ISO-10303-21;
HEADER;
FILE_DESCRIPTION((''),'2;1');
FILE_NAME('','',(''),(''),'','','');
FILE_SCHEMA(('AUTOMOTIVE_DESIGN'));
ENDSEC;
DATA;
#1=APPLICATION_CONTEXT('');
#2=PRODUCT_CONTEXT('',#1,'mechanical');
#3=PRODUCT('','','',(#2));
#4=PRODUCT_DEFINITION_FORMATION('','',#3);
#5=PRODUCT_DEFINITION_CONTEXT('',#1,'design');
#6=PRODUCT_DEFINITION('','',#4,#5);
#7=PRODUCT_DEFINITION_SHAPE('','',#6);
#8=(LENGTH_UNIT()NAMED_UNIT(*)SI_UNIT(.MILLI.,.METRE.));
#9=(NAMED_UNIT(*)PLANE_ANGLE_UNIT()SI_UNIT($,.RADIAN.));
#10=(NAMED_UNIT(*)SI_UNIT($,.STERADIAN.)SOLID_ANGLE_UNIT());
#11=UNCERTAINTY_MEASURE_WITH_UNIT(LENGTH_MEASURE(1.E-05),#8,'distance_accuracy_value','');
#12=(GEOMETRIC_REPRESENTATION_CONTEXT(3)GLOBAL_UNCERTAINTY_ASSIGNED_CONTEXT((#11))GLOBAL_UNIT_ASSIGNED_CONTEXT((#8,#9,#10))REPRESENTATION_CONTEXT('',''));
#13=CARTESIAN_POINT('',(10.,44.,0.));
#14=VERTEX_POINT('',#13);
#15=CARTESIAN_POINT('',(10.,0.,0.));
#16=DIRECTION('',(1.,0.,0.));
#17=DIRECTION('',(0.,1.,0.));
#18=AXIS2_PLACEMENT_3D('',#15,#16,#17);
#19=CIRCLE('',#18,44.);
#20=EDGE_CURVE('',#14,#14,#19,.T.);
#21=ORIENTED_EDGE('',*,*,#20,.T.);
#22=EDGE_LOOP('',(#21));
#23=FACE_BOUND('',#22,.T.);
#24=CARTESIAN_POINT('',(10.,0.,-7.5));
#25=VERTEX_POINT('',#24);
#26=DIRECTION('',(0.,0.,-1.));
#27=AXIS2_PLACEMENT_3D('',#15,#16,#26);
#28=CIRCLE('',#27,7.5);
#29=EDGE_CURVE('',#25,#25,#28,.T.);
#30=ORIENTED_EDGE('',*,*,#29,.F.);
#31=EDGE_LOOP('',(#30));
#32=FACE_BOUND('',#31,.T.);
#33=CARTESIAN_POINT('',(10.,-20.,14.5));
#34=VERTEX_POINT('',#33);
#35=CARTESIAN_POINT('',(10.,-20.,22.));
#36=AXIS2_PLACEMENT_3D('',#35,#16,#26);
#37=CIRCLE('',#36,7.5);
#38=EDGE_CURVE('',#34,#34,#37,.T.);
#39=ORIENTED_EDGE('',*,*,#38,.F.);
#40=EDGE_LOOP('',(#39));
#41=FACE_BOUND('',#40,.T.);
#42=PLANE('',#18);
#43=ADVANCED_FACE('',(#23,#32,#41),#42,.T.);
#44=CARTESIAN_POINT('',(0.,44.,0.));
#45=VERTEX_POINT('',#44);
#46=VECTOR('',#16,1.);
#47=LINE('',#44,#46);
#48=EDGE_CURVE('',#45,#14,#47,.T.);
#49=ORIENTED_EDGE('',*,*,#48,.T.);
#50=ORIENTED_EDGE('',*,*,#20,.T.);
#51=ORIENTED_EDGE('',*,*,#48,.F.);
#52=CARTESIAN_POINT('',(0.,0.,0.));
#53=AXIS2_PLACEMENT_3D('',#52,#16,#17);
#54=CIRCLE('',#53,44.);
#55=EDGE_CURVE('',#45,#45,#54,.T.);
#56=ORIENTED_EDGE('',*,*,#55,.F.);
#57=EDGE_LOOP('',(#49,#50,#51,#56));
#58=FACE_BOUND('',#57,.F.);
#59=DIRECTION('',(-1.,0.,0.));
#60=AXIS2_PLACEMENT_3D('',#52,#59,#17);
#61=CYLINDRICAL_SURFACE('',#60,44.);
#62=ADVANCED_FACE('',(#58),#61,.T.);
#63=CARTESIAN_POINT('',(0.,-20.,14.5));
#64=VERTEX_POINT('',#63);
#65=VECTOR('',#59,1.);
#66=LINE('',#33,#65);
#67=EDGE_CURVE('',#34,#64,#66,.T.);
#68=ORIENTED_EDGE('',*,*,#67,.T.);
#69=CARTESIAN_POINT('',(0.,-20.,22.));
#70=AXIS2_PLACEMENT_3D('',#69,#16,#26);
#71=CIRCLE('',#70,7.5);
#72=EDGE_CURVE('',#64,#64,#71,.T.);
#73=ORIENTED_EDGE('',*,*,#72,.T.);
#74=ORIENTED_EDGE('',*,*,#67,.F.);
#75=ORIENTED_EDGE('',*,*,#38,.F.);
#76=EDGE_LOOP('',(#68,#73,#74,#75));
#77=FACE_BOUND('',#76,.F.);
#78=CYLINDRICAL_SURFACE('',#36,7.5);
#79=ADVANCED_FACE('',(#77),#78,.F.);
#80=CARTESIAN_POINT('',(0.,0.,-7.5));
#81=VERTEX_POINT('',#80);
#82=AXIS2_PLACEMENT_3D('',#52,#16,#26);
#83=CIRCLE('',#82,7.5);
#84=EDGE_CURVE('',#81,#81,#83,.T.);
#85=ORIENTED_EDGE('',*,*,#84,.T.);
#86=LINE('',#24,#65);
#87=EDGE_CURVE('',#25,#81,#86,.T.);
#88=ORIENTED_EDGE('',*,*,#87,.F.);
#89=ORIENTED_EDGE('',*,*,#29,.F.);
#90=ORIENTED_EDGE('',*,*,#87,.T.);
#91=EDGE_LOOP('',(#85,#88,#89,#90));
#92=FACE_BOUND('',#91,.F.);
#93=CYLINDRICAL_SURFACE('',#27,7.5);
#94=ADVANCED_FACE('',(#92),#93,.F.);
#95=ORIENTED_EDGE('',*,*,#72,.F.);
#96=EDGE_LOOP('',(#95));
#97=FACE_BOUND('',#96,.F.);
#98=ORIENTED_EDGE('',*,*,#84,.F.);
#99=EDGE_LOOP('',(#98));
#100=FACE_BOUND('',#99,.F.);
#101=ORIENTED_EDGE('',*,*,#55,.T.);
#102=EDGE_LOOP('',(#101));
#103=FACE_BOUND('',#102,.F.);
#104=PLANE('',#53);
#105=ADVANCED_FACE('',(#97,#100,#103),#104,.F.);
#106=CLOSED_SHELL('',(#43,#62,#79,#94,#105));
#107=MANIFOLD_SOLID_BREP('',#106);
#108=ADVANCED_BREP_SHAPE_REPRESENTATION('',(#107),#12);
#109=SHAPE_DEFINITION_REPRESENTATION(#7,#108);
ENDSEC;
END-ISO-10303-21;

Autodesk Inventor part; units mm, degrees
ref_plane "YZ Plane" through (0, 0, 0) normal (1, 0, 0) x (0, 1, 0)
ref_plane "XZ Plane" through (0, 0, 0) normal (0, 1, 0) x (-1, 0, 0)
ref_plane "XY Plane" through (0, 0, 0) normal (0, 0, 1) x (1, 0, 0)
sketch "Sketch1" plane through (0, 0, 0) normal (1, 0, 0) x (0, 1, 0)
  circle A0 centre (0, 0) radius 44
  dimension "d0" = 88
extrude "Extrusion1" add sketch "Sketch1" along normal blind 10
sketch "Sketch2" plane through (10, 0, 0) normal (1, 0, 0) x (0, 0, -1)
  circle A0 centre (0, 0) radius 7.5
  dimension "d3" = 15
extrude "Extrusion2" cut sketch "Sketch2" against normal through all
sketch "Sketch3" plane through (10, 0, 0) normal (1, 0, 0) x (0, 0, -1)
  circle A0 centre (-22, -20) radius 7.5
  point P0 (0, 0)
  dimension "d6" = 15
extrude "Extrusion3" cut sketch "Sketch3" against normal through all
properties part number "disk"
